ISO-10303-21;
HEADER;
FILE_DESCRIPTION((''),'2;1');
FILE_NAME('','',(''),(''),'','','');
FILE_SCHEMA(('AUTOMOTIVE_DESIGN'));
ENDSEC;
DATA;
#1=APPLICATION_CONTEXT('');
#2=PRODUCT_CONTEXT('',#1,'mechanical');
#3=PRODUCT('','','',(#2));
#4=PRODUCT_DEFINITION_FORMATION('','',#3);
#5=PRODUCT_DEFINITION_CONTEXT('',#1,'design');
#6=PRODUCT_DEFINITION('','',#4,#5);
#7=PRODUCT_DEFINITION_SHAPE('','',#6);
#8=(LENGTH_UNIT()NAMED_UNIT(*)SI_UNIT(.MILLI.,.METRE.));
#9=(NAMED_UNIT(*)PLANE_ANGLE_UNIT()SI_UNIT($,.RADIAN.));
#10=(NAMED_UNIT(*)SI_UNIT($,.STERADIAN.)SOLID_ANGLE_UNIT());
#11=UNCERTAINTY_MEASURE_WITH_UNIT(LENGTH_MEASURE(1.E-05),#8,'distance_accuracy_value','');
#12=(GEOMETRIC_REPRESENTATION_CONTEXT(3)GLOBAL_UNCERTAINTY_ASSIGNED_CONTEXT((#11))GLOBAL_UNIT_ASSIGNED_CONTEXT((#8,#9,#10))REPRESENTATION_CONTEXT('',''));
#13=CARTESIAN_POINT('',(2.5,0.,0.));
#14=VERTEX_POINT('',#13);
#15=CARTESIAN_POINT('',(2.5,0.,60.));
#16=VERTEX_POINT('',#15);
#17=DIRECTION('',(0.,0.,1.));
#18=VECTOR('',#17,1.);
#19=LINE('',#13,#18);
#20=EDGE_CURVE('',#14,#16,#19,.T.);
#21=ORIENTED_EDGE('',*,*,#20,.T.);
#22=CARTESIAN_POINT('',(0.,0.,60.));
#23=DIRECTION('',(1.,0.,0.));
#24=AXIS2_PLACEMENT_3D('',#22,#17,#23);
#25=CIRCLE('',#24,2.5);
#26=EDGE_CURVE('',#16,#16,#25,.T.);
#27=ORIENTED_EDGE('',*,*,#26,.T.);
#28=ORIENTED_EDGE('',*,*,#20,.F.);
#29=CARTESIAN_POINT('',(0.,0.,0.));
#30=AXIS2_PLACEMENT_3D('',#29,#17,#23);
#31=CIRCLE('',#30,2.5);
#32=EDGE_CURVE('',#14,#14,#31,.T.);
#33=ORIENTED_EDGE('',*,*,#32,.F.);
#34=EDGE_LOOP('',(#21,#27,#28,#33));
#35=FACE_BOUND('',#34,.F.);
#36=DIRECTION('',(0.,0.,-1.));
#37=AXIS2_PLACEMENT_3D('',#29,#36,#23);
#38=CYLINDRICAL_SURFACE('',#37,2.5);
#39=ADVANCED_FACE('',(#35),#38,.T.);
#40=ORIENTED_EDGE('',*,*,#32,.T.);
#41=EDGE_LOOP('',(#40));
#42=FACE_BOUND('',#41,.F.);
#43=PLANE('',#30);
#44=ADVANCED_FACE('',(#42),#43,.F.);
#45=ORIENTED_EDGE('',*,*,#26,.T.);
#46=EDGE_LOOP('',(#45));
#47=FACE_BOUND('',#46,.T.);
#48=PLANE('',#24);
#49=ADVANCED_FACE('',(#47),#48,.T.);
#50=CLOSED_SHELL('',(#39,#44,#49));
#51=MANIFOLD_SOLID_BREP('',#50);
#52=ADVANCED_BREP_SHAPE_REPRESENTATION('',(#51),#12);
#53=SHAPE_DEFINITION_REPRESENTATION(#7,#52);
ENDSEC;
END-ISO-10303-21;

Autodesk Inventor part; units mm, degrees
ref_plane "YZ Plane" through (0, 0, 0) normal (1, 0, 0) x (0, 1, 0)
ref_plane "XZ Plane" through (0, 0, 0) normal (0, 1, 0) x (-1, 0, 0)
ref_plane "XY Plane" through (0, 0, 0) normal (0, 0, 1) x (1, 0, 0)
sketch "Sketch1" plane through (0, 0, 0) normal (0, 0, 1) x (1, 0, 0)
  circle A0 centre (0, 0) radius 2.5
  dimension "d0" = 5
sketch "Sketch2" plane through (0, 0, 0) normal (0, 0, 1) x (1, 0, 0)
  point P0 (0, 0)
extrude "Extrusion1" add sketch "Sketch1" along normal blind 60
properties part number "middle portion"
